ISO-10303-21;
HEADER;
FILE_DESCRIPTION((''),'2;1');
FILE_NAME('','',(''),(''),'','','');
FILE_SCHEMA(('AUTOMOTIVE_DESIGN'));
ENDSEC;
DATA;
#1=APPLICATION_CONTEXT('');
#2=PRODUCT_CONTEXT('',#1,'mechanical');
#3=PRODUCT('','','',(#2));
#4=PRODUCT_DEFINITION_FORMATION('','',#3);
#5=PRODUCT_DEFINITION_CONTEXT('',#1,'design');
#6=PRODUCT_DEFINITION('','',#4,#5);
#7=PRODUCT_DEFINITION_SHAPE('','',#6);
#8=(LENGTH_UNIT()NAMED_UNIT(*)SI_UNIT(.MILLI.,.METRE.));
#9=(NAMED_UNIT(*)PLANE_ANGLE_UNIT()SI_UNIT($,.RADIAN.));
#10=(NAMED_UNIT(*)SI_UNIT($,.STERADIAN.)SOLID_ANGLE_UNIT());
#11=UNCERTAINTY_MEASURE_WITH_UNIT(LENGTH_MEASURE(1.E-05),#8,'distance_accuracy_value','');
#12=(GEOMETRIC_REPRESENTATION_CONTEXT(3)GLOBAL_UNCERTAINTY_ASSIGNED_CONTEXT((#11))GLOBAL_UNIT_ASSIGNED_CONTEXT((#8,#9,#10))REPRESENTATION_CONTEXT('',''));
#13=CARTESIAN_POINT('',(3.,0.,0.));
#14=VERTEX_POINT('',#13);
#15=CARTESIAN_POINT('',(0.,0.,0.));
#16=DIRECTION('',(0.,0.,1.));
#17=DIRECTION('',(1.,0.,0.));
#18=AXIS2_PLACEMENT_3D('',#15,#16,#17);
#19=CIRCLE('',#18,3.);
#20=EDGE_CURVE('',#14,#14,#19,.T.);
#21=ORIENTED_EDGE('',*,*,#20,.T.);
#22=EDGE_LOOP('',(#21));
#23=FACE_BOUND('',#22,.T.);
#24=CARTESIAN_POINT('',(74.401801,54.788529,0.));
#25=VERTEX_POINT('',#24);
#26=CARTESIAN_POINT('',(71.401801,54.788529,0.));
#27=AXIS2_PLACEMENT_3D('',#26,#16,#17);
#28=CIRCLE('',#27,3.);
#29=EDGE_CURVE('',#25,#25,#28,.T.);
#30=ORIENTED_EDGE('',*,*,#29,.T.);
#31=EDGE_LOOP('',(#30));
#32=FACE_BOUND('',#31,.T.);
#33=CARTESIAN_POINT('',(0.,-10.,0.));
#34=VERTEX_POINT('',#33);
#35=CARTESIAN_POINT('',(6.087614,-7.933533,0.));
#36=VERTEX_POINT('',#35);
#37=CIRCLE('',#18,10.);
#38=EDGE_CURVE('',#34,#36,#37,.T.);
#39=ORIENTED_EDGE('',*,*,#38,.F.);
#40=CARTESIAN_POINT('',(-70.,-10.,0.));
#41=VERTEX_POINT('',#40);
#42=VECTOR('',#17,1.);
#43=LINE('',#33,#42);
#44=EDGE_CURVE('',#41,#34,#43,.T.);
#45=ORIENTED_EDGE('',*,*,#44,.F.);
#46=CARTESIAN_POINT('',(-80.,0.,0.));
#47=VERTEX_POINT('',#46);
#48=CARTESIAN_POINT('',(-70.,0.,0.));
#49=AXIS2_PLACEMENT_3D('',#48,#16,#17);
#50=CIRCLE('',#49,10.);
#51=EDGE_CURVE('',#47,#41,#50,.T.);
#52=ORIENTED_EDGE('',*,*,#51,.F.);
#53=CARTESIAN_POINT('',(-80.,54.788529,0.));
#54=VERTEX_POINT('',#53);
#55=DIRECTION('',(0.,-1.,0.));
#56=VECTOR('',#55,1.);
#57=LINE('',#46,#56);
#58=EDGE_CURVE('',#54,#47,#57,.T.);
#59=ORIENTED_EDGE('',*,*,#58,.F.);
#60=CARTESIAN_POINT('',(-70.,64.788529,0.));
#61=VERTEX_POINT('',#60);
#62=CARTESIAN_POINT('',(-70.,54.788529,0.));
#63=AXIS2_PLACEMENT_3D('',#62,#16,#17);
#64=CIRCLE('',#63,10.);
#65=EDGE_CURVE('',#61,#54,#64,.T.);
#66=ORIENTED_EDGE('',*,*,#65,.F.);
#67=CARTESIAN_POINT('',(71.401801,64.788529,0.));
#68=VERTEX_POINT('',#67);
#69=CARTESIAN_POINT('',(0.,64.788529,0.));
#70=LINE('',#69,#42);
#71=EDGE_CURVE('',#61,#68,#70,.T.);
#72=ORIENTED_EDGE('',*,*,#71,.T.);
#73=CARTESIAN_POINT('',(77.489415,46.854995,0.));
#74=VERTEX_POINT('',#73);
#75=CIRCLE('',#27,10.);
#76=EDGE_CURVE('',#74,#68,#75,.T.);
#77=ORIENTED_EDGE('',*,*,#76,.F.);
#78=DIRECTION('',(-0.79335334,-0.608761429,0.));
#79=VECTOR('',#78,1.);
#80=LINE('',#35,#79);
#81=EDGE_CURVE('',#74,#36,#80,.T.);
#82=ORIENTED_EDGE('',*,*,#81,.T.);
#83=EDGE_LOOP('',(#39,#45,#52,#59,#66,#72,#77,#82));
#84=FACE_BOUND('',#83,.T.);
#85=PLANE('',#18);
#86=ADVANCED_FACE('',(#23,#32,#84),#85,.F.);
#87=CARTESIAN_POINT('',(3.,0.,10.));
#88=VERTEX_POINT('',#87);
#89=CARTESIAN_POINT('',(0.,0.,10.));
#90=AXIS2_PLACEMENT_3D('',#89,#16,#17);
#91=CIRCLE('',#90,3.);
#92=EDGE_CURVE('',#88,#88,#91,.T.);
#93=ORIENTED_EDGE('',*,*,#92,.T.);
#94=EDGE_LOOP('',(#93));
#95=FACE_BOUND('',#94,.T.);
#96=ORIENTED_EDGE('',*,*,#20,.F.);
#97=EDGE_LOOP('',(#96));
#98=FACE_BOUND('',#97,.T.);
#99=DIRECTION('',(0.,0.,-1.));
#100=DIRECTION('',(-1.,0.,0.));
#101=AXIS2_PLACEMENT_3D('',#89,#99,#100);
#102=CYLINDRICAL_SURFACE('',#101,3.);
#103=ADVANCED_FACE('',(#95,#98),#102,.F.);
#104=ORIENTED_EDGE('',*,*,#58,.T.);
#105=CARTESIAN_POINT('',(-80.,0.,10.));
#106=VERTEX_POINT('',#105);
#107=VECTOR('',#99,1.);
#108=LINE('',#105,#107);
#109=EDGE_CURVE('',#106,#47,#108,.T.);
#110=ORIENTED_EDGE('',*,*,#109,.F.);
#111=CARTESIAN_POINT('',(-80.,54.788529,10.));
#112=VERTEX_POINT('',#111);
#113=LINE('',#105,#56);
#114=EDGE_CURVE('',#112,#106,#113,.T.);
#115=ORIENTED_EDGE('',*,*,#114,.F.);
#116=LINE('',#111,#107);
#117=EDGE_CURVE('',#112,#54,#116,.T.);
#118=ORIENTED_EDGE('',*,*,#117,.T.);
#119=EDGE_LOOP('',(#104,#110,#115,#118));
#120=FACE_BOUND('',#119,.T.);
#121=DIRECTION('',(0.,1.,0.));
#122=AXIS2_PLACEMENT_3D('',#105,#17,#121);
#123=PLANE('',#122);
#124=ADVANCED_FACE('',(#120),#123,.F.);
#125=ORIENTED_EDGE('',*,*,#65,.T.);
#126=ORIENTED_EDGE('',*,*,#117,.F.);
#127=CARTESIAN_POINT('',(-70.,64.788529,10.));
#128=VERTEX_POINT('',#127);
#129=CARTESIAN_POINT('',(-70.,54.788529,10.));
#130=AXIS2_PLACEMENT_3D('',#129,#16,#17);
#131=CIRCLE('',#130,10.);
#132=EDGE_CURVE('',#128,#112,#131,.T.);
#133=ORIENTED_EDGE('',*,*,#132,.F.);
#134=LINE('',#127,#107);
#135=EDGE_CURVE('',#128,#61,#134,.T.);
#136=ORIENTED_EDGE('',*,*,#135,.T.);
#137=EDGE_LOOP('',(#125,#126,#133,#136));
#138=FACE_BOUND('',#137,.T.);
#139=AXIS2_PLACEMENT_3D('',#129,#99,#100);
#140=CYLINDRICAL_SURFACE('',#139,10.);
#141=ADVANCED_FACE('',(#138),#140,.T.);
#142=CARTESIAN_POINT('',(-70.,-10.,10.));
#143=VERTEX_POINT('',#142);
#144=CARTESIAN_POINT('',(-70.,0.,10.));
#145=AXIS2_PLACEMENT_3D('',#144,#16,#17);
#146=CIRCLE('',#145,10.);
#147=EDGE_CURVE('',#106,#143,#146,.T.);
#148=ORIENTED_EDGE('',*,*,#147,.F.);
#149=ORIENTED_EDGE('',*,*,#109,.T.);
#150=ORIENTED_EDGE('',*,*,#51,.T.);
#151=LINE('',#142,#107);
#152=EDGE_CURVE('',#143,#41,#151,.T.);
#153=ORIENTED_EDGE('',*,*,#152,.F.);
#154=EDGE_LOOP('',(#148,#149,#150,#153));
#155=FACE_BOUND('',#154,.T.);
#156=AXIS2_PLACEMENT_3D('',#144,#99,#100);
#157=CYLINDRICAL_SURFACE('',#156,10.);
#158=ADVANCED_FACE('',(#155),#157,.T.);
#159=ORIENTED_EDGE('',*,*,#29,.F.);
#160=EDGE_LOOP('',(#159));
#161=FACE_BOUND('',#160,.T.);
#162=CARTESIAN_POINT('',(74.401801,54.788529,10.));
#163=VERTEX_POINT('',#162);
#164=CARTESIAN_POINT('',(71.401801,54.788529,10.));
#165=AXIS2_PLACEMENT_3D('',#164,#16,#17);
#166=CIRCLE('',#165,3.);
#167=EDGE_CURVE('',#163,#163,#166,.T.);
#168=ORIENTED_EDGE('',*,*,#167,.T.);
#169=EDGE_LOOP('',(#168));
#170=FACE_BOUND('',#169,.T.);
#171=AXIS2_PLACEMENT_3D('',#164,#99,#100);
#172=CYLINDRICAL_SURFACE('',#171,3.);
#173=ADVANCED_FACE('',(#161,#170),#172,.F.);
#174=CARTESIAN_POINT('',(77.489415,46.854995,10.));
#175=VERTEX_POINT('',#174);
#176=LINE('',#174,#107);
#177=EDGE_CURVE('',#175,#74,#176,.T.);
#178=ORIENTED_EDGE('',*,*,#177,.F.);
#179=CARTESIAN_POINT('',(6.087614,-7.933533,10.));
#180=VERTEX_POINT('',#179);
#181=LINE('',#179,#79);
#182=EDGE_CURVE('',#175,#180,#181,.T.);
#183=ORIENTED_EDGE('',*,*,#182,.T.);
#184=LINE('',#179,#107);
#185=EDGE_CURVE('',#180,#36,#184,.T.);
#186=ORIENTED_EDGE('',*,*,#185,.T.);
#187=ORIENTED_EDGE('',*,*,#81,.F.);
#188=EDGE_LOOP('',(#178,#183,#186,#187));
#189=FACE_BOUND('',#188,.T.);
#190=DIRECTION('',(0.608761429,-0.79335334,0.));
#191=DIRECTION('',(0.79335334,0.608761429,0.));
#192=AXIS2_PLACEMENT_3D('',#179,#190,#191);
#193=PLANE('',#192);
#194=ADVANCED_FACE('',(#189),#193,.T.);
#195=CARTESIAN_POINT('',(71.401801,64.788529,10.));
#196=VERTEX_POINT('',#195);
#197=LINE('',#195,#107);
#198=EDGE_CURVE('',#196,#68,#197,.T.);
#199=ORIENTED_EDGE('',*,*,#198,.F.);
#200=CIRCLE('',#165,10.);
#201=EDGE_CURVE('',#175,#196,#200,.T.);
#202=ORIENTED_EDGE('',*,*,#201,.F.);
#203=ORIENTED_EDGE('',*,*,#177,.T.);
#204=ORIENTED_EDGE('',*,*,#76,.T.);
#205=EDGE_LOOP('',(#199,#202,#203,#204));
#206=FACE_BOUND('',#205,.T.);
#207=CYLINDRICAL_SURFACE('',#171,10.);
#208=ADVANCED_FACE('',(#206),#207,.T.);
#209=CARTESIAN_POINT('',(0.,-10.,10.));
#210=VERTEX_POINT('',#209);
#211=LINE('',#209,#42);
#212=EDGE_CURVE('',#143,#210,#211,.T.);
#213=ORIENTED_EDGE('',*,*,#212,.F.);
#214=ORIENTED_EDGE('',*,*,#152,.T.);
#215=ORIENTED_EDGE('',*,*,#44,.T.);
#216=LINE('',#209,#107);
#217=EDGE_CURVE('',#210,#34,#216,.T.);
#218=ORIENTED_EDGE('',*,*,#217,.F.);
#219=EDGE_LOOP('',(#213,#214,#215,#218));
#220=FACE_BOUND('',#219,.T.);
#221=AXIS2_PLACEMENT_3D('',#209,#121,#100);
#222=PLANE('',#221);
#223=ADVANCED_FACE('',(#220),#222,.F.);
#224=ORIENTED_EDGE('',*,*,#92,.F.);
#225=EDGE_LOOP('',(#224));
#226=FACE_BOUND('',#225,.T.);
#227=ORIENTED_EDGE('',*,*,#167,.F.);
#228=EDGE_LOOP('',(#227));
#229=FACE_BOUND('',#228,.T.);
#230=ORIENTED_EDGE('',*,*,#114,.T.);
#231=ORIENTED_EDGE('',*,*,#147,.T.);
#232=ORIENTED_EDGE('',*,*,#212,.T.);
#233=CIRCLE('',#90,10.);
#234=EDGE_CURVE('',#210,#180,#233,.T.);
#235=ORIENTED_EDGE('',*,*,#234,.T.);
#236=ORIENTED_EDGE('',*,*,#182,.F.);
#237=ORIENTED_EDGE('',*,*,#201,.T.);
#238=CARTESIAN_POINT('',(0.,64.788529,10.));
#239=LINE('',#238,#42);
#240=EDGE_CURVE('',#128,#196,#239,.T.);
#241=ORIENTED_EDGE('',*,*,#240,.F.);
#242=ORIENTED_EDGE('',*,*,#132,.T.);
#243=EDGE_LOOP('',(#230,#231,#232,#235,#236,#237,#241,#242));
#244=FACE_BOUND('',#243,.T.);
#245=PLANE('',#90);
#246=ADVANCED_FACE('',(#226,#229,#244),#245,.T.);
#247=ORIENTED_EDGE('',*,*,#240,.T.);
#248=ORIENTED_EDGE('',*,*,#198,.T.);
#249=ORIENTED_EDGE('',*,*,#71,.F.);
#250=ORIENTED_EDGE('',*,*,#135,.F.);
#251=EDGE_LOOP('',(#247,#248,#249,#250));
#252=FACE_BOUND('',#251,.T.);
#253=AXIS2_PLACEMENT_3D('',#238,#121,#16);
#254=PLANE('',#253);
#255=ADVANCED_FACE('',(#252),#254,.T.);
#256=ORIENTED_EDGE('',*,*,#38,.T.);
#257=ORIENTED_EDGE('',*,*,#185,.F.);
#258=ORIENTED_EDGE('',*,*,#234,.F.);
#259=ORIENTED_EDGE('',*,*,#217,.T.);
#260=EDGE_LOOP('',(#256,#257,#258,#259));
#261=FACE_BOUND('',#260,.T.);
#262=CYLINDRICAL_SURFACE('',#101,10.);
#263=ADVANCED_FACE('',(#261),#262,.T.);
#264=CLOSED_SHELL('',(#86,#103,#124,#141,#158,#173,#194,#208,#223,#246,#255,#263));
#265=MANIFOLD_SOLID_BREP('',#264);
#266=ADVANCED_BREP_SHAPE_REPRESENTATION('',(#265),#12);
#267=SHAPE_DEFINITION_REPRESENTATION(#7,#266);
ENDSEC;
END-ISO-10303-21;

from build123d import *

# Parameters (mm, degrees)
SKETCH2_R      = 10
SKETCH2_R_2    = 3
EXTRUDE1_DEPTH = 10


with BuildPart() as part:
    # Sketch2 → Extrude1 (new body)
    # profile 1 of 5: a face of its own
    with BuildSketch(Plane.XY):
        with BuildLine():
            Line((71.401800626, 64.788528611), (-70, 64.788528611))
            ThreePointArc((-70, 64.788528611), (-62.928932188, 61.859596423), (-60, 54.788528611))
            ThreePointArc((-60, 54.788528611), (-70, 44.788528611), (-80, 54.788528611))
            Line((-80, 54.788528611), (-80, 0))
            ThreePointArc((-80, 0), (-70, 10), (-60, 0))
            ThreePointArc((-60, 0), (-62.928932188, -7.071067812), (-70, -10))
            Line((-70, -10), (0, -10))
            ThreePointArc((0, -10), (-7.071067812, 7.071067812), (10, 0))
            ThreePointArc((10, 0), (8.968727415, -4.422886902), (6.08761429, -7.933533403))
            Line((6.08761429, -7.933533403), (77.489414916, 46.854995208))
            ThreePointArc((77.489414916, 46.854995208), (61.932499331, 51.574133958), (71.401800626, 64.788528611))
        make_face()
    # profile 2 of 5: a face of its own
    with BuildSketch(Plane.XY):
        Circle(SKETCH2_R)
        Circle(SKETCH2_R_2, mode=Mode.SUBTRACT)
    # profile 3 of 5: a face of its own
    with BuildSketch(Plane.XY):
        with Locations((-70, 0)):
            Circle(SKETCH2_R)
    # profile 4 of 5: a face of its own
    with BuildSketch(Plane.XY):
        with Locations((-70, 54.788528611)):
            Circle(SKETCH2_R)
    # profile 5 of 5: a face of its own
    with BuildSketch(Plane.XY):
        with Locations((71.401800626, 54.788528611)):
            Circle(SKETCH2_R)
        with Locations((71.401800626, 54.788528611)):
            Circle(SKETCH2_R_2, mode=Mode.SUBTRACT)
    extrude(amount=EXTRUDE1_DEPTH)


solid = part.part
